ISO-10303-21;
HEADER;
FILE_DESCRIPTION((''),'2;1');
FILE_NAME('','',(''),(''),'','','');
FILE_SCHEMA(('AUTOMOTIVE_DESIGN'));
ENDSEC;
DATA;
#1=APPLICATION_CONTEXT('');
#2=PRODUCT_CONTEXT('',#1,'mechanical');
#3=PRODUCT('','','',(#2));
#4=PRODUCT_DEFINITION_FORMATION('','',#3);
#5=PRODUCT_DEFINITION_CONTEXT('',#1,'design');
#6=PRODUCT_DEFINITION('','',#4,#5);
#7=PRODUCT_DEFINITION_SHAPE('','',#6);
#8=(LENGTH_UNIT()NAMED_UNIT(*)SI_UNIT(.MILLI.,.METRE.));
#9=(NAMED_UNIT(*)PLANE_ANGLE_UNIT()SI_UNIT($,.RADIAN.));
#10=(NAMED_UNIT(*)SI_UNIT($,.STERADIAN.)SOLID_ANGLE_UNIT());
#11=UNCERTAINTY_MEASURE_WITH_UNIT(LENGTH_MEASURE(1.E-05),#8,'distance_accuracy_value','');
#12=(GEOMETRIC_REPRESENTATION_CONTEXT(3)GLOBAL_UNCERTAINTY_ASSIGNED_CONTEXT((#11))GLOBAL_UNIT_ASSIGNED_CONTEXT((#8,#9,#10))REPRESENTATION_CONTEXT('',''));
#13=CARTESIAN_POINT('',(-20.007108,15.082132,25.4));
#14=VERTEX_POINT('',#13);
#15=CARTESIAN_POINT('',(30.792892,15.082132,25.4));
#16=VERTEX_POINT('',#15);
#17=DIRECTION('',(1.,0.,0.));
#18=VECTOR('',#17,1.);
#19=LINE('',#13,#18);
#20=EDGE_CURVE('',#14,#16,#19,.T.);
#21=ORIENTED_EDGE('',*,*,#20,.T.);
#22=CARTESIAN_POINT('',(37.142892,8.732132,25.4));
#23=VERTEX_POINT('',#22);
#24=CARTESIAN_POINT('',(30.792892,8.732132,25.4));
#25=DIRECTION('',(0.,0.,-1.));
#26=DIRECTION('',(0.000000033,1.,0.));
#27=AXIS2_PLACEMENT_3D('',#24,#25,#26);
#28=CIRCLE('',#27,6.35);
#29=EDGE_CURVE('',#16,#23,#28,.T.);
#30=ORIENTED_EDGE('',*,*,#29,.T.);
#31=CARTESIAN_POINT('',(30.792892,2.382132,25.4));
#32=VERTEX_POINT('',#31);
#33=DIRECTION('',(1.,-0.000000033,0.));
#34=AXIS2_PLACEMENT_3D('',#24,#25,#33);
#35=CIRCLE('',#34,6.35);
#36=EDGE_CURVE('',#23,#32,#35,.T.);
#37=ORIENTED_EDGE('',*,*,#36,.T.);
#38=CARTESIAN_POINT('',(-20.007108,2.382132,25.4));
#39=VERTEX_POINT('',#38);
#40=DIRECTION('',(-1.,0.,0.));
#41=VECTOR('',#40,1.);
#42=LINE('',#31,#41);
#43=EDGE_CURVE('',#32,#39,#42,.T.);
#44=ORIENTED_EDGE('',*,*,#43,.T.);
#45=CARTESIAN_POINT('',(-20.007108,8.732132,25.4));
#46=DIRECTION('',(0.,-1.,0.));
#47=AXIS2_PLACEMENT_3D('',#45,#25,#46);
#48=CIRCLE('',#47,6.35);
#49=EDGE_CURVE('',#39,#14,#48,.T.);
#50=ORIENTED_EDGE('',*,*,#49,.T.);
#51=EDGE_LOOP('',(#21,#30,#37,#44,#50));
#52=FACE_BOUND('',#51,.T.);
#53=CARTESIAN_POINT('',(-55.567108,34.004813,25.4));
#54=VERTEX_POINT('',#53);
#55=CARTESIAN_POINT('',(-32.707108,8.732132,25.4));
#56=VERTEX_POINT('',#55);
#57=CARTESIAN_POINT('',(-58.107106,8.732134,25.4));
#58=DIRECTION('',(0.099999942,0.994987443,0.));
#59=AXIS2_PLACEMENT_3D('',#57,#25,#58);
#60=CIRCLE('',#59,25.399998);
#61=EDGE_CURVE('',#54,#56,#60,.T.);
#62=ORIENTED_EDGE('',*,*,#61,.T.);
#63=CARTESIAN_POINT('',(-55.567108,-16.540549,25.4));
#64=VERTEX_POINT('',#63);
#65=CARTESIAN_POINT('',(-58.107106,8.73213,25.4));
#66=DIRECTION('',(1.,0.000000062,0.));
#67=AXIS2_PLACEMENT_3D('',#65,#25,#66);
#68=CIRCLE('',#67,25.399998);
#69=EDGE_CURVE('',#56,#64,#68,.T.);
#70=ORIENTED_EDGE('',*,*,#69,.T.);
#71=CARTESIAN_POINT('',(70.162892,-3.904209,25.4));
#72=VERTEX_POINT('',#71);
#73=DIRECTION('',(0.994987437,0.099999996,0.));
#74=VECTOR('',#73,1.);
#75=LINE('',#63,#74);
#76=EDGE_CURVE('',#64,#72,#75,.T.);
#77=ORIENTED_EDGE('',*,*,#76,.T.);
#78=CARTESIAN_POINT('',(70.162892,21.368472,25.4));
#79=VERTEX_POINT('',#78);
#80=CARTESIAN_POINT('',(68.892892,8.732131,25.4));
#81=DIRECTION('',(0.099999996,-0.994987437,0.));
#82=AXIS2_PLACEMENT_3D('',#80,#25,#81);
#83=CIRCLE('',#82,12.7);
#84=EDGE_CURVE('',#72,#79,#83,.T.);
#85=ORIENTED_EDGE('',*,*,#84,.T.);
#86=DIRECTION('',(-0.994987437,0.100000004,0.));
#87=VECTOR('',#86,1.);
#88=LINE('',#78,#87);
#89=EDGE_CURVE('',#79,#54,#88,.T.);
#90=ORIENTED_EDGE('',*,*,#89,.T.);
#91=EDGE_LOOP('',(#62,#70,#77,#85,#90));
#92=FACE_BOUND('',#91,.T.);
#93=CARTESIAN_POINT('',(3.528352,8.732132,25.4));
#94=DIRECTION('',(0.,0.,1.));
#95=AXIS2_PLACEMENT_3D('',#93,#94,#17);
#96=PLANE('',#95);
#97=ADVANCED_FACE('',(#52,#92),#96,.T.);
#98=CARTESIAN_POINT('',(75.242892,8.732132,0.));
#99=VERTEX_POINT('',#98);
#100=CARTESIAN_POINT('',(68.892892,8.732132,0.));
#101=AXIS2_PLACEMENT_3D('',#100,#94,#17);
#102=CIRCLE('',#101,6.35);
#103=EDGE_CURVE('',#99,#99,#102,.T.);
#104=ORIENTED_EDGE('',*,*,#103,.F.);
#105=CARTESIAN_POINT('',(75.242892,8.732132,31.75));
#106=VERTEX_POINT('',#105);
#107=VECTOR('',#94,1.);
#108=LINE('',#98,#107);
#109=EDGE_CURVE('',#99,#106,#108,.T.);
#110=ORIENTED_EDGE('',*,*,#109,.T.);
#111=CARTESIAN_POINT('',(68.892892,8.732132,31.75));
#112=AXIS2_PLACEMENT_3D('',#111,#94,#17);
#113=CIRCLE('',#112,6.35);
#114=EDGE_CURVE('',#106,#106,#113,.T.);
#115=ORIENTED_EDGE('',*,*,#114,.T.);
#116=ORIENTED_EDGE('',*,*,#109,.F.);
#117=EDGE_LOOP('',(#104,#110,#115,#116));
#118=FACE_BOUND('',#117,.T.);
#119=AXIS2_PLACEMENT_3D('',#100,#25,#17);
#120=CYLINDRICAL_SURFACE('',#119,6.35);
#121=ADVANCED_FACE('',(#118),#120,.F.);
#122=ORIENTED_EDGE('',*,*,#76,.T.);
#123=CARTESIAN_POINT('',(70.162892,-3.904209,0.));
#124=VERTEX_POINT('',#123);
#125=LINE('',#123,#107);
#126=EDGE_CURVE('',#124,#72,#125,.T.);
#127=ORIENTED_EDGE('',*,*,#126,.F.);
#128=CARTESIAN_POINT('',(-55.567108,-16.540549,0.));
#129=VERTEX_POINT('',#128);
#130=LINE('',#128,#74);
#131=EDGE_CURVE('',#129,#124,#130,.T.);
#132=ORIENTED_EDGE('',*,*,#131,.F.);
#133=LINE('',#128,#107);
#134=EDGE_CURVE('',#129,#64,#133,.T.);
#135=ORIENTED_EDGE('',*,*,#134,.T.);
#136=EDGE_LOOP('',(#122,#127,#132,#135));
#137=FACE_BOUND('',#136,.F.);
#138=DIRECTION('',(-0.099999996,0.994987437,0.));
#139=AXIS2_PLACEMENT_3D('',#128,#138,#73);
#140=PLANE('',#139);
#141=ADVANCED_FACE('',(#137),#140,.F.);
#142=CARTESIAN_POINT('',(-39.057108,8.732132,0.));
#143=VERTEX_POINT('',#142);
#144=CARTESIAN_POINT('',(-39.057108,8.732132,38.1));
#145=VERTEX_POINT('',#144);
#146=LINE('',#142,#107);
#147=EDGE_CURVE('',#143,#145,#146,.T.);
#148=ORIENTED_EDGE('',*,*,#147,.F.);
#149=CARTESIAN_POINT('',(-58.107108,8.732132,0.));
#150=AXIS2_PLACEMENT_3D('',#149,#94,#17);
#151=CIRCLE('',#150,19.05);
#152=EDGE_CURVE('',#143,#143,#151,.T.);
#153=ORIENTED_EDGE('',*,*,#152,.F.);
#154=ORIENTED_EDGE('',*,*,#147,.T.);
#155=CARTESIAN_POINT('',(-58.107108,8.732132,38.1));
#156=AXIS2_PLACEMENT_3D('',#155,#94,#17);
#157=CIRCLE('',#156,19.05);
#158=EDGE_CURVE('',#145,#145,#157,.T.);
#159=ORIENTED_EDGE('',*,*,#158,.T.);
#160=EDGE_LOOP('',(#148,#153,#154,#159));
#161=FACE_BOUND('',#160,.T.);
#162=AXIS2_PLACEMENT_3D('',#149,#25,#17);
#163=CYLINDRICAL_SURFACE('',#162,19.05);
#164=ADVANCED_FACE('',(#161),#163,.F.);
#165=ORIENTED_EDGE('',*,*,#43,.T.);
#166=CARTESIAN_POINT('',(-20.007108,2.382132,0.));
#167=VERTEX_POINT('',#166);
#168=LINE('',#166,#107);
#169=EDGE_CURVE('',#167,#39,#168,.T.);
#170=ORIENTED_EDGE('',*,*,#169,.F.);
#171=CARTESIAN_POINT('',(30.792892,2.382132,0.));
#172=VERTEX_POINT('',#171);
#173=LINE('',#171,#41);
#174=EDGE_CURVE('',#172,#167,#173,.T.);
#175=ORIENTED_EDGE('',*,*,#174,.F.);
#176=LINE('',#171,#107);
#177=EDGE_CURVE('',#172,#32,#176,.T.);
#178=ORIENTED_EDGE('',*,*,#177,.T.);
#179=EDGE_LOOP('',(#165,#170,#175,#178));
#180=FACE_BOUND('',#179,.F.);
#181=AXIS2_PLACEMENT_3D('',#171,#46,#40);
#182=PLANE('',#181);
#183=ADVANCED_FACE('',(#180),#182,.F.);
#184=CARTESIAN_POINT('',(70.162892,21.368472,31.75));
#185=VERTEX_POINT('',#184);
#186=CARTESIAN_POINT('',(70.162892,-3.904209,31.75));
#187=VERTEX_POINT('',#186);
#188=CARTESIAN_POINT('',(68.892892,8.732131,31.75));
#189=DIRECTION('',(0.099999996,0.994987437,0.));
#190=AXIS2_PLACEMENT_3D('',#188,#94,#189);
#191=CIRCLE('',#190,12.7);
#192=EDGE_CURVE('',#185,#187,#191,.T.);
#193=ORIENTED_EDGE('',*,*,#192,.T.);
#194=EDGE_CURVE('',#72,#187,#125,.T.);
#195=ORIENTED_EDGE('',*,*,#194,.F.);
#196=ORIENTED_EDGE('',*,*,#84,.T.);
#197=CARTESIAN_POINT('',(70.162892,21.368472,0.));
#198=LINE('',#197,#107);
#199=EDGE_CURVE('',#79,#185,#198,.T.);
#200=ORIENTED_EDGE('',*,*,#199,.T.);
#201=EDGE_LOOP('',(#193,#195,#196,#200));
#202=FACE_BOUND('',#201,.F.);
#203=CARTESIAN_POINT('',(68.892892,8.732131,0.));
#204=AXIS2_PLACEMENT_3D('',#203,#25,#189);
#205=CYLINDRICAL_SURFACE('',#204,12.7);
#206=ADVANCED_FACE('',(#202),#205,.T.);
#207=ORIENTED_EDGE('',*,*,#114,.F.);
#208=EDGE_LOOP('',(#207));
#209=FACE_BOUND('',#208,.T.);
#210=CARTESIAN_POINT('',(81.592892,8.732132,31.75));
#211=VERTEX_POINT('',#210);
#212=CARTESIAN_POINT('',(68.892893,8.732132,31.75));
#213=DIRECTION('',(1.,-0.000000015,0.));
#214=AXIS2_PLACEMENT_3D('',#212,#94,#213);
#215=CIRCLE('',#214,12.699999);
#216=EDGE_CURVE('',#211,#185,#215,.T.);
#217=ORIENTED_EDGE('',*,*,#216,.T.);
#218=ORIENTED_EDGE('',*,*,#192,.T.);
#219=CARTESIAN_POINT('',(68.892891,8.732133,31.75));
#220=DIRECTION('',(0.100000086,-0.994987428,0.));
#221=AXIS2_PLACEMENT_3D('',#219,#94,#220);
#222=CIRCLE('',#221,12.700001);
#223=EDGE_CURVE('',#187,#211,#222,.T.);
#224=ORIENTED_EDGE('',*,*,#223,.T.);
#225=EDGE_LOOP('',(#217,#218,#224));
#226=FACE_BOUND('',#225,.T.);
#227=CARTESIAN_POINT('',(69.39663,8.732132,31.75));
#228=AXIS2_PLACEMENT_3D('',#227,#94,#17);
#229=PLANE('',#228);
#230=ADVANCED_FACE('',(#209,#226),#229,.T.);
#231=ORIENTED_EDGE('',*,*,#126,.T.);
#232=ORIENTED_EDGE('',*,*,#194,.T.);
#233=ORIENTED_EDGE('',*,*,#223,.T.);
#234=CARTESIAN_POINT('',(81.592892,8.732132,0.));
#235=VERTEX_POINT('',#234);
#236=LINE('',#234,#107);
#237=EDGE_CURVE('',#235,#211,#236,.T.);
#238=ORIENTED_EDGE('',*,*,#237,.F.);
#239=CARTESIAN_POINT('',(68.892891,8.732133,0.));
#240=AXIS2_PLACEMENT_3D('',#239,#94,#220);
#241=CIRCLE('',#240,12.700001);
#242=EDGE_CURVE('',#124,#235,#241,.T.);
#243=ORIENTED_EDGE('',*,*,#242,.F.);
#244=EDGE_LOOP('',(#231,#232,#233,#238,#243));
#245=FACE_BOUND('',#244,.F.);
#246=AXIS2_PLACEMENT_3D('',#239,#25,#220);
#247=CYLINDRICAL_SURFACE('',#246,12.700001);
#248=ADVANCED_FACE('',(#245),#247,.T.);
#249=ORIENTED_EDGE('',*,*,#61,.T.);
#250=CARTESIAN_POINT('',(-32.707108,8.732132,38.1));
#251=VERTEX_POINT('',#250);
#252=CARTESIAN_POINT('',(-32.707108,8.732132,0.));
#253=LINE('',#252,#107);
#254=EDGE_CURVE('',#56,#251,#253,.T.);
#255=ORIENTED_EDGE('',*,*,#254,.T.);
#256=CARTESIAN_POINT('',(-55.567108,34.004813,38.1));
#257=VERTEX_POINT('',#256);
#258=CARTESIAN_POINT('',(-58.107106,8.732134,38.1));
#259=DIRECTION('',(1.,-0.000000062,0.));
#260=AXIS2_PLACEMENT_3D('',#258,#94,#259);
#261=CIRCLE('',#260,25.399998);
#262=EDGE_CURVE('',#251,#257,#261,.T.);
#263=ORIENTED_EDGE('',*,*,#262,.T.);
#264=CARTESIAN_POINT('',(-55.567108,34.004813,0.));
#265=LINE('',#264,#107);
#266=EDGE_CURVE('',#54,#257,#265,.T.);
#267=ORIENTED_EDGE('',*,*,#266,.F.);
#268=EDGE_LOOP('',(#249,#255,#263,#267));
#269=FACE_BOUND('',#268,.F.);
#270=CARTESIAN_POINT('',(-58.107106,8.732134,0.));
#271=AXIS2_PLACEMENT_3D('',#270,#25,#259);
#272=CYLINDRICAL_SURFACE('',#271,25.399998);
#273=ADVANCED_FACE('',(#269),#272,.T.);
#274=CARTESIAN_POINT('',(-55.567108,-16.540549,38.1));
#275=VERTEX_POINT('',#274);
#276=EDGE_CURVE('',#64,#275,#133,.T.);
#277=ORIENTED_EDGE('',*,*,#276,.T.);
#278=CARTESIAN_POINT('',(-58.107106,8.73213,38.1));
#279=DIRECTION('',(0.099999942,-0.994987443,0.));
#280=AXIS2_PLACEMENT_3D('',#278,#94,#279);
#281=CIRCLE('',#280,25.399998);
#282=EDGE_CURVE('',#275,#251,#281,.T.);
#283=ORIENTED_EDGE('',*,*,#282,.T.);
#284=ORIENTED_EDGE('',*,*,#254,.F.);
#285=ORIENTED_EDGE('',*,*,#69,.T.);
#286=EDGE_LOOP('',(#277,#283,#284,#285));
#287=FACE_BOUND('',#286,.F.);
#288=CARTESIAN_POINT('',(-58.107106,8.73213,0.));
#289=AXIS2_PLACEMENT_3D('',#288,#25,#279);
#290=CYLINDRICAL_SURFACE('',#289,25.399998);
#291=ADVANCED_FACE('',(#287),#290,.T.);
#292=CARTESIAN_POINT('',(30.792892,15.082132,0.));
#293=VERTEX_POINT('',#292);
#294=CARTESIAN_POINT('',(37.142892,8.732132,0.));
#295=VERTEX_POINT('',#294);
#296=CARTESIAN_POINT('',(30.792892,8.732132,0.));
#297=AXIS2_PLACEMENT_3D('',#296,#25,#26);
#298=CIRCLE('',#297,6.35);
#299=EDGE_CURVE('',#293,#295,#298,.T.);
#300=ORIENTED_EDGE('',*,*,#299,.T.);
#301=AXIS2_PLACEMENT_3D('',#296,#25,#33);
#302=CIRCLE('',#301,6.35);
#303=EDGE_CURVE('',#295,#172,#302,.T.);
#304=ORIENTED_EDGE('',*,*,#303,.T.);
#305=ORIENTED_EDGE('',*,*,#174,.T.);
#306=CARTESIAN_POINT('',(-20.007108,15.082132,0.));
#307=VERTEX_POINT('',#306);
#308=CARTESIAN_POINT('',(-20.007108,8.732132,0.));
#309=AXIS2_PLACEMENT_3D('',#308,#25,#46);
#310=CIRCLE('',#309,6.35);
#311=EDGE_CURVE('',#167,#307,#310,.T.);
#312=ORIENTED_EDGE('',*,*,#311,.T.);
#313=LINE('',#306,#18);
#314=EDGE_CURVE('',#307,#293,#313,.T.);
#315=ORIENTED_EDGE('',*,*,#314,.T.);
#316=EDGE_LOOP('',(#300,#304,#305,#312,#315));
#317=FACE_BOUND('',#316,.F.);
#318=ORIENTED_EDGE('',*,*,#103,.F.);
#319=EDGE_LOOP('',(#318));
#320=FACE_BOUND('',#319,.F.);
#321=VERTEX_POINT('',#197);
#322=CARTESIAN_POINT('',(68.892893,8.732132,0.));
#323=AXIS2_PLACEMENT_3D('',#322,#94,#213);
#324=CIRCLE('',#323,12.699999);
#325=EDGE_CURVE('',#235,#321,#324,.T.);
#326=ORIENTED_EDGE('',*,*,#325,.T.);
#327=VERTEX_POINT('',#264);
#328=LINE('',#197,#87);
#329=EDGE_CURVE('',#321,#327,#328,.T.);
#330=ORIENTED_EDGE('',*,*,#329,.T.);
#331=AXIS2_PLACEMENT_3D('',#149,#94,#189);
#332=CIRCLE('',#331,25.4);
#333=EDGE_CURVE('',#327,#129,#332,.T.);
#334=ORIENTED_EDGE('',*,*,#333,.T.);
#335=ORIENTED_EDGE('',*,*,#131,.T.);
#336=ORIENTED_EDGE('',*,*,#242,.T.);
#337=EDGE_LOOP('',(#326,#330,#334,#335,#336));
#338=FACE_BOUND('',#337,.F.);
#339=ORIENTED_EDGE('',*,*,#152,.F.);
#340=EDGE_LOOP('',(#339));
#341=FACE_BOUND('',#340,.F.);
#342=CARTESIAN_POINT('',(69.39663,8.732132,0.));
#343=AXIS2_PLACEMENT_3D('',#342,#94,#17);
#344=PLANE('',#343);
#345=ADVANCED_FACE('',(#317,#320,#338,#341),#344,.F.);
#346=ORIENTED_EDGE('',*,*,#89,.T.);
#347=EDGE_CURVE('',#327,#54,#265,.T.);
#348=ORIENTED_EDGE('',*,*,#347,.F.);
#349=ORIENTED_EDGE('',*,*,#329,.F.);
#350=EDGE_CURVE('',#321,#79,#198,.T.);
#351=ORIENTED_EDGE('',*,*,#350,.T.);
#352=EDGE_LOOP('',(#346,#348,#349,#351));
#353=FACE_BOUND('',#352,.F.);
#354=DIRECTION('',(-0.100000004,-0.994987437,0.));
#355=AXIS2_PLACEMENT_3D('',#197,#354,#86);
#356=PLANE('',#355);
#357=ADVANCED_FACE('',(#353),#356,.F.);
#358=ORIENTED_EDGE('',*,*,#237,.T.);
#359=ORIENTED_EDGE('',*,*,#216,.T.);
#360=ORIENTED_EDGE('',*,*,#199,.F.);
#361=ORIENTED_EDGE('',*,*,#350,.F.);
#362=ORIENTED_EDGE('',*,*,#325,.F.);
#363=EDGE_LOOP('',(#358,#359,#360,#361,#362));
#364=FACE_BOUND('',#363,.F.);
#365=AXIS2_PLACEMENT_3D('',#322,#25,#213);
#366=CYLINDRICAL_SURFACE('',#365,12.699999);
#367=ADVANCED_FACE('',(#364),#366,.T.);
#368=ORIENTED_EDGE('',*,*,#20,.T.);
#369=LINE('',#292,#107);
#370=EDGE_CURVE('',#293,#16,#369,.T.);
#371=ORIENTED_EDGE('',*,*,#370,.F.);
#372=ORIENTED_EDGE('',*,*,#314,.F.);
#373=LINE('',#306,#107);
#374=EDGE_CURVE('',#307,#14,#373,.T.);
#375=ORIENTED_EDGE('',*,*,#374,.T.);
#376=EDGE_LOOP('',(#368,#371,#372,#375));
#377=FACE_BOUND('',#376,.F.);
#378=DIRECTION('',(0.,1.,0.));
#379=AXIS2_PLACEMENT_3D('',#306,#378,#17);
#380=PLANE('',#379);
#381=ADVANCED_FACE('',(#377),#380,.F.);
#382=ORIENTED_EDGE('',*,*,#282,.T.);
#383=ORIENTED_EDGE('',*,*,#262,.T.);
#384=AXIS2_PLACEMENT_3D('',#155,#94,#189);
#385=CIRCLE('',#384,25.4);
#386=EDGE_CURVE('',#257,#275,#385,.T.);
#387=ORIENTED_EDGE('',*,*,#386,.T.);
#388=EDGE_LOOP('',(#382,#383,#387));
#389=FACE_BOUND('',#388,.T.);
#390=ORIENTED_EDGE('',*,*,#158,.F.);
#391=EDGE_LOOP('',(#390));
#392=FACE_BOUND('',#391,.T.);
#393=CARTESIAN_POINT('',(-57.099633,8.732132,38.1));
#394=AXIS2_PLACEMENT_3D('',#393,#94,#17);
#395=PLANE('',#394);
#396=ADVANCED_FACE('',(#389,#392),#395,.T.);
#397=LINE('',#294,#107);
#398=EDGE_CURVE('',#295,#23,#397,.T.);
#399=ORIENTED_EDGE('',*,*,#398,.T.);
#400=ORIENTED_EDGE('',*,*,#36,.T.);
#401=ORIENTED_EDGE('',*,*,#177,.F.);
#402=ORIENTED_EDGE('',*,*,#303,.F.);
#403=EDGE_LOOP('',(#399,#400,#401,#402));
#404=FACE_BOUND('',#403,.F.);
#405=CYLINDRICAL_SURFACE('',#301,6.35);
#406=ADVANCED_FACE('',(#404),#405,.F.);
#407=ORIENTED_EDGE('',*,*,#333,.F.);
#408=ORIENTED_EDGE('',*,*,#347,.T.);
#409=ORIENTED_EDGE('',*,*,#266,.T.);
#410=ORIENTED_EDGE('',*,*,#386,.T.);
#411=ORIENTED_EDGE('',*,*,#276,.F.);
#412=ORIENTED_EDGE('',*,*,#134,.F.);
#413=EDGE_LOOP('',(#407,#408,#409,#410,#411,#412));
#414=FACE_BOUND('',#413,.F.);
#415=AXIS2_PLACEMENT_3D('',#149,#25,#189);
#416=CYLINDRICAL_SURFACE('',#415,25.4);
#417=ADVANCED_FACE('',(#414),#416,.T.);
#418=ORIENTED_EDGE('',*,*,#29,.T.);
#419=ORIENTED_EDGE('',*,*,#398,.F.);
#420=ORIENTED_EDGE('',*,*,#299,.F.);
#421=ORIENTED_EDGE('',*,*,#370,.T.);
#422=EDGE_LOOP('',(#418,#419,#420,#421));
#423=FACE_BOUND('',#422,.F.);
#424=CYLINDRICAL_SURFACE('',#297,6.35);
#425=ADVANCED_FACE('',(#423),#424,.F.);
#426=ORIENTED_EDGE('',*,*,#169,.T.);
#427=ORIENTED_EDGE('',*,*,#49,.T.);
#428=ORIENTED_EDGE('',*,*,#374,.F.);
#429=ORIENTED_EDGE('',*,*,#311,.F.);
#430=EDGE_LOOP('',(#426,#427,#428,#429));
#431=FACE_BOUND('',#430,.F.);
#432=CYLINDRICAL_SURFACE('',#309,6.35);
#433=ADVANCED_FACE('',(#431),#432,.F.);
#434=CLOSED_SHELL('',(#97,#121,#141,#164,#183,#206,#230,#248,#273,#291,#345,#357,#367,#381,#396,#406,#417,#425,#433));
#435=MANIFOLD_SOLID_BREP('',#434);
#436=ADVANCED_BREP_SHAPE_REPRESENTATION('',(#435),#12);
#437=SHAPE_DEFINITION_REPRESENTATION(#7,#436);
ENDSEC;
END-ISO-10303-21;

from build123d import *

# Parameters (mm, degrees)
F1_DEPTH = 25.4
F0_R     = 19.05
F2_DEPTH = 38.1
F0_R_2   = 6.35
F3_DEPTH = 31.75


with BuildPart() as f1:
    # F0 (on Top) → F1 (new body)
    with BuildSketch(Plane.XY):
        with BuildLine():
            ThreePointArc((-55.567108, 34.004813), (-39.269963, 25.77097), (-32.707108, 8.732132))
            ThreePointArc((-32.707108, 8.732132), (-39.269963, -8.306706), (-55.567108, -16.540549))
            Line((-55.567108, -16.540549), (70.162892, -3.904209))
            ThreePointArc((70.162892, -3.904209), (56.192892, 8.732132), (70.162892, 21.368472))
            Line((70.162892, 21.368472), (-55.567108, 34.004813))
        make_face()
        with BuildLine():
            ThreePointArc((-20.007108, 2.382132), (-26.357108, 8.732132), (-20.007108, 15.082132))
            Line((-20.007108, 15.082132), (30.792892, 15.082132))
            ThreePointArc((30.792892, 15.082132), (35.28302, 13.22226), (37.142892, 8.732132))
            ThreePointArc((37.142892, 8.732132), (35.28302, 4.242004), (30.792892, 2.382132))
            Line((30.792892, 2.382132), (-20.007108, 2.382132))
        make_face(mode=Mode.SUBTRACT)
    extrude(amount=F1_DEPTH)

    # F0 (on Top) → F2 (join)
    with BuildSketch(Plane.XY):
        with BuildLine():
            ThreePointArc((-55.567108, -16.540549), (-39.269963, -8.306706), (-32.707108, 8.732132))
            ThreePointArc((-32.707108, 8.732132), (-39.269963, 25.77097), (-55.567108, 34.004813))
            ThreePointArc((-55.567108, 34.004813), (-83.507108, 8.732132), (-55.567108, -16.540549))
        make_face()
        with Locations((-58.107108, 8.732132)):
            Circle(F0_R, mode=Mode.SUBTRACT)
    extrude(amount=F2_DEPTH)

    # F0 (on Top) → F3 (join)
    with BuildSketch(Plane.XY):
        with BuildLine():
            ThreePointArc((81.592892, 8.732132), (78.311464, 17.251551), (70.162892, 21.368472))
            ThreePointArc((70.162892, 21.368472), (56.192892, 8.732132), (70.162892, -3.904209))
            ThreePointArc((70.162892, -3.904209), (78.311464, 0.212713), (81.592892, 8.732132))
        make_face()
        with Locations((68.892892, 8.732132)):
            Circle(F0_R_2, mode=Mode.SUBTRACT)
    extrude(amount=F3_DEPTH)


solid = f1.part
